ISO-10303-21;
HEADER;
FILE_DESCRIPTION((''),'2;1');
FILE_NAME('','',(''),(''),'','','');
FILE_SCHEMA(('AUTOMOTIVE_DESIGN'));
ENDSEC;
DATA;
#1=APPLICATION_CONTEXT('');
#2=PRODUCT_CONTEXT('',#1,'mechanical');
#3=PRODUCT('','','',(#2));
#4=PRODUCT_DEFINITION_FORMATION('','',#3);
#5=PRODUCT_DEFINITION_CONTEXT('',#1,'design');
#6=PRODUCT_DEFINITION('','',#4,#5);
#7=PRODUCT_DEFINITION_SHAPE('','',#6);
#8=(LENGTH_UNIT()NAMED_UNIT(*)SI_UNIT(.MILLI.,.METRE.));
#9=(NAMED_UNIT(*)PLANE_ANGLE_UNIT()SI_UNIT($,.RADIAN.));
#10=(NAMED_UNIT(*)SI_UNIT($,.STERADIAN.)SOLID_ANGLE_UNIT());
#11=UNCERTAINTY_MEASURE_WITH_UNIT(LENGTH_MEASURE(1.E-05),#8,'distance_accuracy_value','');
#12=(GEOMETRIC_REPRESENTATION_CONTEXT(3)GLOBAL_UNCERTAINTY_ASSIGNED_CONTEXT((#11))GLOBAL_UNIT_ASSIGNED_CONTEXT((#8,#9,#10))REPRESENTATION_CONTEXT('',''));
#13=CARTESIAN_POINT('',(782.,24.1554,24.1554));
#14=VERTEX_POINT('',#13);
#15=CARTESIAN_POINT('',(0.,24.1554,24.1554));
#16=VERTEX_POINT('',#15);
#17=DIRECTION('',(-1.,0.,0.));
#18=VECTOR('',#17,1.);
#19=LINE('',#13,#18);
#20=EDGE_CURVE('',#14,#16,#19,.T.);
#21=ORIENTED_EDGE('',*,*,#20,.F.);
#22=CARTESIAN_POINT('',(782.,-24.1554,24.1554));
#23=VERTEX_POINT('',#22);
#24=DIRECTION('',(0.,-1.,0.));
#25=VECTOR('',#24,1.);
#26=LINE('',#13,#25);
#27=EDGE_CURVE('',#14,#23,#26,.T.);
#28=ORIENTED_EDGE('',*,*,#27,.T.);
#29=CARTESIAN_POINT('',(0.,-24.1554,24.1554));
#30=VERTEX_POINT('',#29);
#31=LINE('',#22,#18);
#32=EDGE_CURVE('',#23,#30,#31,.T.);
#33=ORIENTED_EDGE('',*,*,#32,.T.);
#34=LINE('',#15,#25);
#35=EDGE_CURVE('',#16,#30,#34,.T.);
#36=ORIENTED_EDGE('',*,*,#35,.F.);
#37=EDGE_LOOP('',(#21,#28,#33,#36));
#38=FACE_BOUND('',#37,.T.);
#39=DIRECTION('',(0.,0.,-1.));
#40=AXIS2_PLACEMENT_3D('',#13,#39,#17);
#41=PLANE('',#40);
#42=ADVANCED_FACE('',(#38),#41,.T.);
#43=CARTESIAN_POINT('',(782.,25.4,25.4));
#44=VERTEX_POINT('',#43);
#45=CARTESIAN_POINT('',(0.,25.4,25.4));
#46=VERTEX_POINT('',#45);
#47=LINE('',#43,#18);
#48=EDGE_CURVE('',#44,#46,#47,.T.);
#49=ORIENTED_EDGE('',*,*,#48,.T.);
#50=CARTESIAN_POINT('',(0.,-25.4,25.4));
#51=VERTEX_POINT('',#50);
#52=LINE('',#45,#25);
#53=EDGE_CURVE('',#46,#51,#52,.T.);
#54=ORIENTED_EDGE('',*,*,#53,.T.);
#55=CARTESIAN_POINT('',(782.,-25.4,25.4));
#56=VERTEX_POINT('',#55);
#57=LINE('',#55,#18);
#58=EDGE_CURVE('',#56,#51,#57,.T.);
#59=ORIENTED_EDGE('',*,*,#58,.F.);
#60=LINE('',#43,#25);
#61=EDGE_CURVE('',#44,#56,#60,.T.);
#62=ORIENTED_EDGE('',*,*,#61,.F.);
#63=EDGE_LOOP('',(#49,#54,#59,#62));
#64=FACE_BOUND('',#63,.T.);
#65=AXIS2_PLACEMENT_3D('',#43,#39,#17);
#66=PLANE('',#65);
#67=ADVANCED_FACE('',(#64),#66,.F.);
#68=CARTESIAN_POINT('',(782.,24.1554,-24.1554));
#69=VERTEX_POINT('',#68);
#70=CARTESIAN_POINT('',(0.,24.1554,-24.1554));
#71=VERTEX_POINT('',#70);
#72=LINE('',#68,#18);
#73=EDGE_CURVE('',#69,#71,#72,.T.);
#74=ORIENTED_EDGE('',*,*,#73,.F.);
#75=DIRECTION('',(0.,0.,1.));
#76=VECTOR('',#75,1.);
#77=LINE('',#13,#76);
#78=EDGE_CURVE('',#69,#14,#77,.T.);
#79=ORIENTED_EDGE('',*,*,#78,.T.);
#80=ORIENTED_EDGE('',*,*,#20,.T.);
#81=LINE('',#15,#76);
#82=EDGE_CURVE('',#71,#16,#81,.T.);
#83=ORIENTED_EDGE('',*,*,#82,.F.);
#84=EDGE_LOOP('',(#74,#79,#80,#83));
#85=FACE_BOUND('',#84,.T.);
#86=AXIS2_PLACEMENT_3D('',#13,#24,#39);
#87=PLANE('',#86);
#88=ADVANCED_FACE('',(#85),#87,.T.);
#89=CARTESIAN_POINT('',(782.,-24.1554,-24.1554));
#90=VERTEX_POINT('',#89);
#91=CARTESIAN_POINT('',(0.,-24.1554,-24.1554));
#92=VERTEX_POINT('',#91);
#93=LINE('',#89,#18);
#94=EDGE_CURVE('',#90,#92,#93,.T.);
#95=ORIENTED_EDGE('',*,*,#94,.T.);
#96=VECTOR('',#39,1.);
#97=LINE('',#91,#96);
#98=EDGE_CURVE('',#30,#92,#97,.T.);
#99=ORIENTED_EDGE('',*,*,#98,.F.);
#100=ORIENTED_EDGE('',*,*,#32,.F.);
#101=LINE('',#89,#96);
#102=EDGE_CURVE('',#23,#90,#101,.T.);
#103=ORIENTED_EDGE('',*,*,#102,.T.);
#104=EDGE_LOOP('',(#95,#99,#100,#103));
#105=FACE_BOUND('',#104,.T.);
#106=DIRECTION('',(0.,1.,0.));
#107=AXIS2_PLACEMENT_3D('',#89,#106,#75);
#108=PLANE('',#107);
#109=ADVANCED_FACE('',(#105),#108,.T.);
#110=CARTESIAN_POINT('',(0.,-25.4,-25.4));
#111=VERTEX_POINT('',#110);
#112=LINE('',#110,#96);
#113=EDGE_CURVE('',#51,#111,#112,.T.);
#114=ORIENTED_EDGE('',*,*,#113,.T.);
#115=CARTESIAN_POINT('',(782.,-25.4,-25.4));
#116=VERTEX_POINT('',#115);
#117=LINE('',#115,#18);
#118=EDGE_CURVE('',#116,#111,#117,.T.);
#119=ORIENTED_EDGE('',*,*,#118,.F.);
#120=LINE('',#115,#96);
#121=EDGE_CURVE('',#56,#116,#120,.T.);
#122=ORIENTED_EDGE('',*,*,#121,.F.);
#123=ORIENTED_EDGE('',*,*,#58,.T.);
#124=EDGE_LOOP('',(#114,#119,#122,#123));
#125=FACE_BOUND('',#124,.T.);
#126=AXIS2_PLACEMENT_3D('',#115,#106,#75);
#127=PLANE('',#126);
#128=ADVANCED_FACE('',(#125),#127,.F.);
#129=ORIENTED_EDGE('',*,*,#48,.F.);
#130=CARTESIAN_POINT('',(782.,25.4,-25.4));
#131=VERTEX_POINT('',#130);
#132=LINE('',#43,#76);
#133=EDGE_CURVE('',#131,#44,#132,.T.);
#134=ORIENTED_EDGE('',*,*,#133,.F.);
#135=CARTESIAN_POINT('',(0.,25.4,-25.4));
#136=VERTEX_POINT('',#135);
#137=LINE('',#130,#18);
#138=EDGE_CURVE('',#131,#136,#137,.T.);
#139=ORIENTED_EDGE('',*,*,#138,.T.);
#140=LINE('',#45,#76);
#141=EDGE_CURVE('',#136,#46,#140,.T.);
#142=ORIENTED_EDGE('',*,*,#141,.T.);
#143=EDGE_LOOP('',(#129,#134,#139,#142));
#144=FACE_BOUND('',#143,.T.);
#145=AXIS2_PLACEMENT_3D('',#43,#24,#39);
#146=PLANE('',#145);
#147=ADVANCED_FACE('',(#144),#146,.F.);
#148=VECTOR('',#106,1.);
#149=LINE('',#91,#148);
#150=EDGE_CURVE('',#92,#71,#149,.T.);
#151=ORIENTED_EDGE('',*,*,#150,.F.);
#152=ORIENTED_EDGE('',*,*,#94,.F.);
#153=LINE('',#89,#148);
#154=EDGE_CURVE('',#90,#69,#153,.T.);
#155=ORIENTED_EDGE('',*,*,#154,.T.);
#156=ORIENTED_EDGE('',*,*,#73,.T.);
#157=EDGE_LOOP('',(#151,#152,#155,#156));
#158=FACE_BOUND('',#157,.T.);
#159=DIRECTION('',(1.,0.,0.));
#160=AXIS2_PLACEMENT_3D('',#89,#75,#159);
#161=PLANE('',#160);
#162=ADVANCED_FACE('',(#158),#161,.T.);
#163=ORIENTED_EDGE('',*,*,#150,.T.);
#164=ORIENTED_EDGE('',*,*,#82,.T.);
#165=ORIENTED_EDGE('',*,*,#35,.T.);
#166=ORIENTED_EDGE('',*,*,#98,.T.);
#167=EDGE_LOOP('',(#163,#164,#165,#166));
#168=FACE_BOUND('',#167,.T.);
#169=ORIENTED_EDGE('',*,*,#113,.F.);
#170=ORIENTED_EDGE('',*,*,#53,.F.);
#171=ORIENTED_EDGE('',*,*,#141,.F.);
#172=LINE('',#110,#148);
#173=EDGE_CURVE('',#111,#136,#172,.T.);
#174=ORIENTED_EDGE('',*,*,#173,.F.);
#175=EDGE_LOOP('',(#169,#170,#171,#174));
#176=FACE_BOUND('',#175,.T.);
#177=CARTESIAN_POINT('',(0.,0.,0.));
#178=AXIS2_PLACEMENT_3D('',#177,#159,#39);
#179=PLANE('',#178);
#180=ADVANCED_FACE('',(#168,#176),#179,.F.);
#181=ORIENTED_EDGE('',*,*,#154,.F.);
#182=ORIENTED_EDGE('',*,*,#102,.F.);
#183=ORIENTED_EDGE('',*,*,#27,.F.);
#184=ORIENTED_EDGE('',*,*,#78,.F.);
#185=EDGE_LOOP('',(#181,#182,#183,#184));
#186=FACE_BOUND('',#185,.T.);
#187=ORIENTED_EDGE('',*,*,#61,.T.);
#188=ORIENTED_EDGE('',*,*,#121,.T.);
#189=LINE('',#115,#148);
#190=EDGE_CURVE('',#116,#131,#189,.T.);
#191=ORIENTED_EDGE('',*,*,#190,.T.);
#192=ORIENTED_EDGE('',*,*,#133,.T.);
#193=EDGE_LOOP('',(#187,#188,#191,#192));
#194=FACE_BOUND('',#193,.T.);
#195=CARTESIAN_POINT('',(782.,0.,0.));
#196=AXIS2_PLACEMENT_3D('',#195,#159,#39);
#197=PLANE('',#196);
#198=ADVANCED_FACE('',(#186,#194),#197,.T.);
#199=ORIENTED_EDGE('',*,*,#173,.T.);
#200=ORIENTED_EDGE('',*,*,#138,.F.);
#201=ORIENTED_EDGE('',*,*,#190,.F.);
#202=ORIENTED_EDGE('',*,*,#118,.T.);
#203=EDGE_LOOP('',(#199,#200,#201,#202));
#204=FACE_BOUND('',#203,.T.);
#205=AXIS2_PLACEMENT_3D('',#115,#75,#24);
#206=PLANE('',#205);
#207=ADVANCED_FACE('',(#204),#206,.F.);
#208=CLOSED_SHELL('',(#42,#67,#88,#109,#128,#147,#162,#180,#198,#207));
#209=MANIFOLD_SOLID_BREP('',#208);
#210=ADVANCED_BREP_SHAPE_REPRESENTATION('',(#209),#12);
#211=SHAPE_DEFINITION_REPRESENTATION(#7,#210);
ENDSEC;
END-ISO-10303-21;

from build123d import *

# Parameters (mm, degrees)
SKETCH1_W                              = 50.8
SKETCH1_H                              = 50.8
SKETCH1_W_2                            = 48.3108
SKETCH1_H_2                            = 48.3108
AL_TUBE_SQUARE_2_SQ_X_049_WALL_1_DEPTH = 782


with BuildPart() as part:
    # Sketch1 → Al tube (square) 2 SQ X .049 WALL(1) (new body)
    with BuildSketch(Plane.YZ):
        Rectangle(SKETCH1_W, SKETCH1_H)
        Rectangle(SKETCH1_W_2, SKETCH1_H_2, mode=Mode.SUBTRACT)
    extrude(amount=AL_TUBE_SQUARE_2_SQ_X_049_WALL_1_DEPTH)


solid = part.part
